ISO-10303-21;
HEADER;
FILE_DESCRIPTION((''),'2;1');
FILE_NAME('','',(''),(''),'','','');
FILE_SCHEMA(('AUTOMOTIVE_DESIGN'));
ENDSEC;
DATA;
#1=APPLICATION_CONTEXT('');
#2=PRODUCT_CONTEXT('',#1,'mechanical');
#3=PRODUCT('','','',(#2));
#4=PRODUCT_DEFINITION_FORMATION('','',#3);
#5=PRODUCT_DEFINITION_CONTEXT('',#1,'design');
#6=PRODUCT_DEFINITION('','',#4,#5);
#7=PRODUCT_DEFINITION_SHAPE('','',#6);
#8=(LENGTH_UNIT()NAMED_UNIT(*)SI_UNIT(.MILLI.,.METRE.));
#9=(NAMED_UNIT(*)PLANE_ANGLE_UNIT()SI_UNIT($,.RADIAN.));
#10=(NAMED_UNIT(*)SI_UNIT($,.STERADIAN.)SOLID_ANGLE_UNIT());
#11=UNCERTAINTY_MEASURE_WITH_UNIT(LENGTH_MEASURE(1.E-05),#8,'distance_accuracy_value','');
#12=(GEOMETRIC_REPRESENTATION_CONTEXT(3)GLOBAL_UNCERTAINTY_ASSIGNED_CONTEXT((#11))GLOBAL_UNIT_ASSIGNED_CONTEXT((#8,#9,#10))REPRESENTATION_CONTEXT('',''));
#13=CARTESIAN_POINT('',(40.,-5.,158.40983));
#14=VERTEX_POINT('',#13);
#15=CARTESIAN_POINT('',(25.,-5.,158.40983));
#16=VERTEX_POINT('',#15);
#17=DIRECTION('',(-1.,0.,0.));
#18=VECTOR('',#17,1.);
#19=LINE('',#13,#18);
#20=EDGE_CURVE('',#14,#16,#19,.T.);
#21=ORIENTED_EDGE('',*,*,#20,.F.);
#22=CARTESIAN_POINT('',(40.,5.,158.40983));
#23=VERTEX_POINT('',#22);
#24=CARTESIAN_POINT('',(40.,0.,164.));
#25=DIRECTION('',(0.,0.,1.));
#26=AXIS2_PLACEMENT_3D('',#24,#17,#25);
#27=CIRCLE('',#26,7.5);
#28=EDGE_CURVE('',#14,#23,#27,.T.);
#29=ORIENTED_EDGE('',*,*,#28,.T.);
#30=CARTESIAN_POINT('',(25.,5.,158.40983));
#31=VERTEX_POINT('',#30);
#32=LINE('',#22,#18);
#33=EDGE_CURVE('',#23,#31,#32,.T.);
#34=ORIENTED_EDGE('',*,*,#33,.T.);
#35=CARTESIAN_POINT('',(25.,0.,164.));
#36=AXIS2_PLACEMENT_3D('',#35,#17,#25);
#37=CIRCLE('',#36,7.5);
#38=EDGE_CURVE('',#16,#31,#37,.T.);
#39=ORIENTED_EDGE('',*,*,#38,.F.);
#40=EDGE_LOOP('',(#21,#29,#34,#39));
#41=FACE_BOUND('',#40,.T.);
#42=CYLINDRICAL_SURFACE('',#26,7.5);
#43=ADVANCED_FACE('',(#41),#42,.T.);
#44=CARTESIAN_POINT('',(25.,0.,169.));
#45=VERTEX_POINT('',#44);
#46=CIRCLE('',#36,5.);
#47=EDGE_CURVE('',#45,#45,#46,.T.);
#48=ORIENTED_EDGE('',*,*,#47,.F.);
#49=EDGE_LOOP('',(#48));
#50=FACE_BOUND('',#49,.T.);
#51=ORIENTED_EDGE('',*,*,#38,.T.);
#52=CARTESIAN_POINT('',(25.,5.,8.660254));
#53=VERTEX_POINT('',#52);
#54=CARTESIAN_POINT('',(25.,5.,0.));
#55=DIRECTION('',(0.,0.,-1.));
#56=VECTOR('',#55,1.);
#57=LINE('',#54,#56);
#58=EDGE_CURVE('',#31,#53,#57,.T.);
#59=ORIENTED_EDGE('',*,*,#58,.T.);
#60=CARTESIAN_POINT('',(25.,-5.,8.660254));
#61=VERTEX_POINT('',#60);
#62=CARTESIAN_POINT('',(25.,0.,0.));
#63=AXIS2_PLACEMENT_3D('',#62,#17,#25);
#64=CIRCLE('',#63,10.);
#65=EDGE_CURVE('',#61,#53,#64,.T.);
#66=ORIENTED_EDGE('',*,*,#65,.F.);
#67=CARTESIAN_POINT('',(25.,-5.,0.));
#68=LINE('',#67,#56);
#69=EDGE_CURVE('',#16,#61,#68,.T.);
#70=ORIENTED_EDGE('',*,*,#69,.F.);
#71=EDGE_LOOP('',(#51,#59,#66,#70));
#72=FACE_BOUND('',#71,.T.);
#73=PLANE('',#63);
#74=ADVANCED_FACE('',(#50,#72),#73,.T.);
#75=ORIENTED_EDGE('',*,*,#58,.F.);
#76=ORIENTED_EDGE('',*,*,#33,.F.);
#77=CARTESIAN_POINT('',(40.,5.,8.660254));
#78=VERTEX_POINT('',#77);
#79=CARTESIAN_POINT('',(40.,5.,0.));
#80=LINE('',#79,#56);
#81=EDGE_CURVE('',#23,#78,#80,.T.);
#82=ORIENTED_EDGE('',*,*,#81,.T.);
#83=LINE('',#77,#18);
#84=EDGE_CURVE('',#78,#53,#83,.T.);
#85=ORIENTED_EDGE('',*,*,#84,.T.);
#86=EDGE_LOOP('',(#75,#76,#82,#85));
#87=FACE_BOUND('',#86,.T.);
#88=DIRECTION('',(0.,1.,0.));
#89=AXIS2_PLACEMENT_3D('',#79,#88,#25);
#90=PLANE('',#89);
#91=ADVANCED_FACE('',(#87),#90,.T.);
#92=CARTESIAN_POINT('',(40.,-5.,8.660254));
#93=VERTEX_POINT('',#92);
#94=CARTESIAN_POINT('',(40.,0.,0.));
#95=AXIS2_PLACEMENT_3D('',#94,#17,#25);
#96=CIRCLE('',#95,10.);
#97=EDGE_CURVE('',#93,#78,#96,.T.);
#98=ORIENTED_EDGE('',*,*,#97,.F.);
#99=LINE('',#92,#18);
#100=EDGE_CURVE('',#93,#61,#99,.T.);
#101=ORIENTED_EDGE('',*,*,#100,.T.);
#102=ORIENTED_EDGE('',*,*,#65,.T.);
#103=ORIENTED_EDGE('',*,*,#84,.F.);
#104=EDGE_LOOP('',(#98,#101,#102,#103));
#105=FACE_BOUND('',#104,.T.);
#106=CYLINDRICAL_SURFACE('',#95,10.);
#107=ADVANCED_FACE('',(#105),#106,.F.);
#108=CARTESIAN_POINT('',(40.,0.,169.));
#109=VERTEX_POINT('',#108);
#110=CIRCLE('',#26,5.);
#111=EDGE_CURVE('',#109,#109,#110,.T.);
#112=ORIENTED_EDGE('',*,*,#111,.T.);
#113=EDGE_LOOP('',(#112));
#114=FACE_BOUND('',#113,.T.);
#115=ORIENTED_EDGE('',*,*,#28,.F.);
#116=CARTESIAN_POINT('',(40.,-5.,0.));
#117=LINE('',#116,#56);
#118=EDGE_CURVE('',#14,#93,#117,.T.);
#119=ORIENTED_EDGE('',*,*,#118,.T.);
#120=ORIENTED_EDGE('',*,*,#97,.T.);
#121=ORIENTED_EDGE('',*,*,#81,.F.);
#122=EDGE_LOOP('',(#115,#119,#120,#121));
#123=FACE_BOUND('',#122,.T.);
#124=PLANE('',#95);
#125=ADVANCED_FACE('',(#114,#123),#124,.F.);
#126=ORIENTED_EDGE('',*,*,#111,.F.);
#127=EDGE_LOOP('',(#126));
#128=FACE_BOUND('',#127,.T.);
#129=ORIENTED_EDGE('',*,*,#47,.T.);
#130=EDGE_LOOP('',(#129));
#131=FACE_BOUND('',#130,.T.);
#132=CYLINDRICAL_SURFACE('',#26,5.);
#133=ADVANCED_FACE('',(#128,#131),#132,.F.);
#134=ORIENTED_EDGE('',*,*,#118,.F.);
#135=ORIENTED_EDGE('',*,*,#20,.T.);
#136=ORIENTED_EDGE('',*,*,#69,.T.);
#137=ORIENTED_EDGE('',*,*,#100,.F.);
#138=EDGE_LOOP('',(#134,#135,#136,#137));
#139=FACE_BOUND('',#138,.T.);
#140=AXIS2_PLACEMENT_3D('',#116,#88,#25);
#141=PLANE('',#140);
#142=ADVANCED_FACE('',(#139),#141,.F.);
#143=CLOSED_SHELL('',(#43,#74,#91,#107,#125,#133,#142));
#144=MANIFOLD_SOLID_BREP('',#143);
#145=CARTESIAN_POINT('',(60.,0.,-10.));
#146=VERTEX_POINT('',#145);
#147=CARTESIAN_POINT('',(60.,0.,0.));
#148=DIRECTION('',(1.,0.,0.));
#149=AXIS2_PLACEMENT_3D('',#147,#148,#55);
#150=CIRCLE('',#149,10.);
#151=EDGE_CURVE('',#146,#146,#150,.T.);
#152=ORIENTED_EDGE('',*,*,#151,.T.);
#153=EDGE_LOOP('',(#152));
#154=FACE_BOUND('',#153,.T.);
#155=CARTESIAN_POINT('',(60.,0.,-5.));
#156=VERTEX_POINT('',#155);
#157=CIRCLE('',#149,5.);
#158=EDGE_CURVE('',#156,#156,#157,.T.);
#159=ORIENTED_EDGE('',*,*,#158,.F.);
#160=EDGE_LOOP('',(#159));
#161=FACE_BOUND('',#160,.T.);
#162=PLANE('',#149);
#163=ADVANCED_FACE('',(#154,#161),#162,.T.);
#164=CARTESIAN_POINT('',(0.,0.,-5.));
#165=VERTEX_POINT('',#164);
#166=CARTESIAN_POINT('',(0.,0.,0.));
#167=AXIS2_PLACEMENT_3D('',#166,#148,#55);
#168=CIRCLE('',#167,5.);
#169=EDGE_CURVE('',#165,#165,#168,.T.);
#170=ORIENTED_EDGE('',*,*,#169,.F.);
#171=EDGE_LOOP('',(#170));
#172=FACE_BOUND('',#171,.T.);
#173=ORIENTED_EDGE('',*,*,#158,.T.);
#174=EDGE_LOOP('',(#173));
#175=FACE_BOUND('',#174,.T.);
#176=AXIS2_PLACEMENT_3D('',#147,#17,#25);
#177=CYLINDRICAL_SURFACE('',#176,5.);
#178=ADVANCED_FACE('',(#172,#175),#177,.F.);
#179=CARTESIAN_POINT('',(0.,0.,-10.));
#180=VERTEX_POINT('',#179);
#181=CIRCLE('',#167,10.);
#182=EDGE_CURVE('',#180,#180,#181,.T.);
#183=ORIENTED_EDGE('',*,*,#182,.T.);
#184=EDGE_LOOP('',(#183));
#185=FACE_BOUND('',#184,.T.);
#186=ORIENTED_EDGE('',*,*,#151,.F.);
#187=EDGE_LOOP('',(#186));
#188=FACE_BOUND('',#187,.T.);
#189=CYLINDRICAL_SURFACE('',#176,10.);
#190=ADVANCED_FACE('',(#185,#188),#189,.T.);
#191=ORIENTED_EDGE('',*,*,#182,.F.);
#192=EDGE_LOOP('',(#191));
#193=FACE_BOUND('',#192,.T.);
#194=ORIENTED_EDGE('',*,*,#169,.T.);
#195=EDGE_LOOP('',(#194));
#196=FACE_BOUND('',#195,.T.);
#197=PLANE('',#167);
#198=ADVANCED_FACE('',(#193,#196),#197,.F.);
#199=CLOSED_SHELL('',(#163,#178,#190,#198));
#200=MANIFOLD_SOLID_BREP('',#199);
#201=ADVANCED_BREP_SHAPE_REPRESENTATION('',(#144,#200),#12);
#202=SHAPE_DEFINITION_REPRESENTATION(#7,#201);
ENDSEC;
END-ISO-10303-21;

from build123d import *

# Parameters (mm, degrees)
SKETCH1_R           = 10
SKETCH1_R_2         = 5
BOSS_EXTRUDE1_DEPTH = 60
SKETCH2_R           = 5
BOSS_EXTRUDE2_DEPTH = 15


with BuildPart() as part:
    # Sketch1 → Boss-Extrude1 (new body)
    with BuildSketch(Plane(origin=(0, 0, 0), x_dir=(0, 0, -1), z_dir=(1, 0, 0))):
        Circle(SKETCH1_R)
        Circle(SKETCH1_R_2, mode=Mode.SUBTRACT)
    extrude(amount=BOSS_EXTRUDE1_DEPTH)


with BuildPart() as body_2:
    # Sketch2 → Boss-Extrude2 (new body)
    with BuildSketch(Plane.ZY):
        with BuildLine():
            ThreePointArc((158.409830056, -5), (171.5, 0), (158.409830056, 5))
            Line((158.409830056, 5), (8.660254038, 5))
            ThreePointArc((8.660254038, 5), (9.659258263, 2.588190451), (10, 0))
            ThreePointArc((10, 0), (9.659258263, -2.588190451), (8.660254038, -5))
            Line((8.660254038, -5), (158.409830056, -5))
        make_face()
        with Locations((164, 0)):
            Circle(SKETCH2_R, mode=Mode.SUBTRACT)
    extrude(amount=-BOSS_EXTRUDE2_DEPTH)


with BuildPart() as body_2_1:
    # Body-Move/Copy1: moved
    add(body_2.part.moved(Location((25, 0, 0))))


solid = Compound([part.part, body_2_1.part])
